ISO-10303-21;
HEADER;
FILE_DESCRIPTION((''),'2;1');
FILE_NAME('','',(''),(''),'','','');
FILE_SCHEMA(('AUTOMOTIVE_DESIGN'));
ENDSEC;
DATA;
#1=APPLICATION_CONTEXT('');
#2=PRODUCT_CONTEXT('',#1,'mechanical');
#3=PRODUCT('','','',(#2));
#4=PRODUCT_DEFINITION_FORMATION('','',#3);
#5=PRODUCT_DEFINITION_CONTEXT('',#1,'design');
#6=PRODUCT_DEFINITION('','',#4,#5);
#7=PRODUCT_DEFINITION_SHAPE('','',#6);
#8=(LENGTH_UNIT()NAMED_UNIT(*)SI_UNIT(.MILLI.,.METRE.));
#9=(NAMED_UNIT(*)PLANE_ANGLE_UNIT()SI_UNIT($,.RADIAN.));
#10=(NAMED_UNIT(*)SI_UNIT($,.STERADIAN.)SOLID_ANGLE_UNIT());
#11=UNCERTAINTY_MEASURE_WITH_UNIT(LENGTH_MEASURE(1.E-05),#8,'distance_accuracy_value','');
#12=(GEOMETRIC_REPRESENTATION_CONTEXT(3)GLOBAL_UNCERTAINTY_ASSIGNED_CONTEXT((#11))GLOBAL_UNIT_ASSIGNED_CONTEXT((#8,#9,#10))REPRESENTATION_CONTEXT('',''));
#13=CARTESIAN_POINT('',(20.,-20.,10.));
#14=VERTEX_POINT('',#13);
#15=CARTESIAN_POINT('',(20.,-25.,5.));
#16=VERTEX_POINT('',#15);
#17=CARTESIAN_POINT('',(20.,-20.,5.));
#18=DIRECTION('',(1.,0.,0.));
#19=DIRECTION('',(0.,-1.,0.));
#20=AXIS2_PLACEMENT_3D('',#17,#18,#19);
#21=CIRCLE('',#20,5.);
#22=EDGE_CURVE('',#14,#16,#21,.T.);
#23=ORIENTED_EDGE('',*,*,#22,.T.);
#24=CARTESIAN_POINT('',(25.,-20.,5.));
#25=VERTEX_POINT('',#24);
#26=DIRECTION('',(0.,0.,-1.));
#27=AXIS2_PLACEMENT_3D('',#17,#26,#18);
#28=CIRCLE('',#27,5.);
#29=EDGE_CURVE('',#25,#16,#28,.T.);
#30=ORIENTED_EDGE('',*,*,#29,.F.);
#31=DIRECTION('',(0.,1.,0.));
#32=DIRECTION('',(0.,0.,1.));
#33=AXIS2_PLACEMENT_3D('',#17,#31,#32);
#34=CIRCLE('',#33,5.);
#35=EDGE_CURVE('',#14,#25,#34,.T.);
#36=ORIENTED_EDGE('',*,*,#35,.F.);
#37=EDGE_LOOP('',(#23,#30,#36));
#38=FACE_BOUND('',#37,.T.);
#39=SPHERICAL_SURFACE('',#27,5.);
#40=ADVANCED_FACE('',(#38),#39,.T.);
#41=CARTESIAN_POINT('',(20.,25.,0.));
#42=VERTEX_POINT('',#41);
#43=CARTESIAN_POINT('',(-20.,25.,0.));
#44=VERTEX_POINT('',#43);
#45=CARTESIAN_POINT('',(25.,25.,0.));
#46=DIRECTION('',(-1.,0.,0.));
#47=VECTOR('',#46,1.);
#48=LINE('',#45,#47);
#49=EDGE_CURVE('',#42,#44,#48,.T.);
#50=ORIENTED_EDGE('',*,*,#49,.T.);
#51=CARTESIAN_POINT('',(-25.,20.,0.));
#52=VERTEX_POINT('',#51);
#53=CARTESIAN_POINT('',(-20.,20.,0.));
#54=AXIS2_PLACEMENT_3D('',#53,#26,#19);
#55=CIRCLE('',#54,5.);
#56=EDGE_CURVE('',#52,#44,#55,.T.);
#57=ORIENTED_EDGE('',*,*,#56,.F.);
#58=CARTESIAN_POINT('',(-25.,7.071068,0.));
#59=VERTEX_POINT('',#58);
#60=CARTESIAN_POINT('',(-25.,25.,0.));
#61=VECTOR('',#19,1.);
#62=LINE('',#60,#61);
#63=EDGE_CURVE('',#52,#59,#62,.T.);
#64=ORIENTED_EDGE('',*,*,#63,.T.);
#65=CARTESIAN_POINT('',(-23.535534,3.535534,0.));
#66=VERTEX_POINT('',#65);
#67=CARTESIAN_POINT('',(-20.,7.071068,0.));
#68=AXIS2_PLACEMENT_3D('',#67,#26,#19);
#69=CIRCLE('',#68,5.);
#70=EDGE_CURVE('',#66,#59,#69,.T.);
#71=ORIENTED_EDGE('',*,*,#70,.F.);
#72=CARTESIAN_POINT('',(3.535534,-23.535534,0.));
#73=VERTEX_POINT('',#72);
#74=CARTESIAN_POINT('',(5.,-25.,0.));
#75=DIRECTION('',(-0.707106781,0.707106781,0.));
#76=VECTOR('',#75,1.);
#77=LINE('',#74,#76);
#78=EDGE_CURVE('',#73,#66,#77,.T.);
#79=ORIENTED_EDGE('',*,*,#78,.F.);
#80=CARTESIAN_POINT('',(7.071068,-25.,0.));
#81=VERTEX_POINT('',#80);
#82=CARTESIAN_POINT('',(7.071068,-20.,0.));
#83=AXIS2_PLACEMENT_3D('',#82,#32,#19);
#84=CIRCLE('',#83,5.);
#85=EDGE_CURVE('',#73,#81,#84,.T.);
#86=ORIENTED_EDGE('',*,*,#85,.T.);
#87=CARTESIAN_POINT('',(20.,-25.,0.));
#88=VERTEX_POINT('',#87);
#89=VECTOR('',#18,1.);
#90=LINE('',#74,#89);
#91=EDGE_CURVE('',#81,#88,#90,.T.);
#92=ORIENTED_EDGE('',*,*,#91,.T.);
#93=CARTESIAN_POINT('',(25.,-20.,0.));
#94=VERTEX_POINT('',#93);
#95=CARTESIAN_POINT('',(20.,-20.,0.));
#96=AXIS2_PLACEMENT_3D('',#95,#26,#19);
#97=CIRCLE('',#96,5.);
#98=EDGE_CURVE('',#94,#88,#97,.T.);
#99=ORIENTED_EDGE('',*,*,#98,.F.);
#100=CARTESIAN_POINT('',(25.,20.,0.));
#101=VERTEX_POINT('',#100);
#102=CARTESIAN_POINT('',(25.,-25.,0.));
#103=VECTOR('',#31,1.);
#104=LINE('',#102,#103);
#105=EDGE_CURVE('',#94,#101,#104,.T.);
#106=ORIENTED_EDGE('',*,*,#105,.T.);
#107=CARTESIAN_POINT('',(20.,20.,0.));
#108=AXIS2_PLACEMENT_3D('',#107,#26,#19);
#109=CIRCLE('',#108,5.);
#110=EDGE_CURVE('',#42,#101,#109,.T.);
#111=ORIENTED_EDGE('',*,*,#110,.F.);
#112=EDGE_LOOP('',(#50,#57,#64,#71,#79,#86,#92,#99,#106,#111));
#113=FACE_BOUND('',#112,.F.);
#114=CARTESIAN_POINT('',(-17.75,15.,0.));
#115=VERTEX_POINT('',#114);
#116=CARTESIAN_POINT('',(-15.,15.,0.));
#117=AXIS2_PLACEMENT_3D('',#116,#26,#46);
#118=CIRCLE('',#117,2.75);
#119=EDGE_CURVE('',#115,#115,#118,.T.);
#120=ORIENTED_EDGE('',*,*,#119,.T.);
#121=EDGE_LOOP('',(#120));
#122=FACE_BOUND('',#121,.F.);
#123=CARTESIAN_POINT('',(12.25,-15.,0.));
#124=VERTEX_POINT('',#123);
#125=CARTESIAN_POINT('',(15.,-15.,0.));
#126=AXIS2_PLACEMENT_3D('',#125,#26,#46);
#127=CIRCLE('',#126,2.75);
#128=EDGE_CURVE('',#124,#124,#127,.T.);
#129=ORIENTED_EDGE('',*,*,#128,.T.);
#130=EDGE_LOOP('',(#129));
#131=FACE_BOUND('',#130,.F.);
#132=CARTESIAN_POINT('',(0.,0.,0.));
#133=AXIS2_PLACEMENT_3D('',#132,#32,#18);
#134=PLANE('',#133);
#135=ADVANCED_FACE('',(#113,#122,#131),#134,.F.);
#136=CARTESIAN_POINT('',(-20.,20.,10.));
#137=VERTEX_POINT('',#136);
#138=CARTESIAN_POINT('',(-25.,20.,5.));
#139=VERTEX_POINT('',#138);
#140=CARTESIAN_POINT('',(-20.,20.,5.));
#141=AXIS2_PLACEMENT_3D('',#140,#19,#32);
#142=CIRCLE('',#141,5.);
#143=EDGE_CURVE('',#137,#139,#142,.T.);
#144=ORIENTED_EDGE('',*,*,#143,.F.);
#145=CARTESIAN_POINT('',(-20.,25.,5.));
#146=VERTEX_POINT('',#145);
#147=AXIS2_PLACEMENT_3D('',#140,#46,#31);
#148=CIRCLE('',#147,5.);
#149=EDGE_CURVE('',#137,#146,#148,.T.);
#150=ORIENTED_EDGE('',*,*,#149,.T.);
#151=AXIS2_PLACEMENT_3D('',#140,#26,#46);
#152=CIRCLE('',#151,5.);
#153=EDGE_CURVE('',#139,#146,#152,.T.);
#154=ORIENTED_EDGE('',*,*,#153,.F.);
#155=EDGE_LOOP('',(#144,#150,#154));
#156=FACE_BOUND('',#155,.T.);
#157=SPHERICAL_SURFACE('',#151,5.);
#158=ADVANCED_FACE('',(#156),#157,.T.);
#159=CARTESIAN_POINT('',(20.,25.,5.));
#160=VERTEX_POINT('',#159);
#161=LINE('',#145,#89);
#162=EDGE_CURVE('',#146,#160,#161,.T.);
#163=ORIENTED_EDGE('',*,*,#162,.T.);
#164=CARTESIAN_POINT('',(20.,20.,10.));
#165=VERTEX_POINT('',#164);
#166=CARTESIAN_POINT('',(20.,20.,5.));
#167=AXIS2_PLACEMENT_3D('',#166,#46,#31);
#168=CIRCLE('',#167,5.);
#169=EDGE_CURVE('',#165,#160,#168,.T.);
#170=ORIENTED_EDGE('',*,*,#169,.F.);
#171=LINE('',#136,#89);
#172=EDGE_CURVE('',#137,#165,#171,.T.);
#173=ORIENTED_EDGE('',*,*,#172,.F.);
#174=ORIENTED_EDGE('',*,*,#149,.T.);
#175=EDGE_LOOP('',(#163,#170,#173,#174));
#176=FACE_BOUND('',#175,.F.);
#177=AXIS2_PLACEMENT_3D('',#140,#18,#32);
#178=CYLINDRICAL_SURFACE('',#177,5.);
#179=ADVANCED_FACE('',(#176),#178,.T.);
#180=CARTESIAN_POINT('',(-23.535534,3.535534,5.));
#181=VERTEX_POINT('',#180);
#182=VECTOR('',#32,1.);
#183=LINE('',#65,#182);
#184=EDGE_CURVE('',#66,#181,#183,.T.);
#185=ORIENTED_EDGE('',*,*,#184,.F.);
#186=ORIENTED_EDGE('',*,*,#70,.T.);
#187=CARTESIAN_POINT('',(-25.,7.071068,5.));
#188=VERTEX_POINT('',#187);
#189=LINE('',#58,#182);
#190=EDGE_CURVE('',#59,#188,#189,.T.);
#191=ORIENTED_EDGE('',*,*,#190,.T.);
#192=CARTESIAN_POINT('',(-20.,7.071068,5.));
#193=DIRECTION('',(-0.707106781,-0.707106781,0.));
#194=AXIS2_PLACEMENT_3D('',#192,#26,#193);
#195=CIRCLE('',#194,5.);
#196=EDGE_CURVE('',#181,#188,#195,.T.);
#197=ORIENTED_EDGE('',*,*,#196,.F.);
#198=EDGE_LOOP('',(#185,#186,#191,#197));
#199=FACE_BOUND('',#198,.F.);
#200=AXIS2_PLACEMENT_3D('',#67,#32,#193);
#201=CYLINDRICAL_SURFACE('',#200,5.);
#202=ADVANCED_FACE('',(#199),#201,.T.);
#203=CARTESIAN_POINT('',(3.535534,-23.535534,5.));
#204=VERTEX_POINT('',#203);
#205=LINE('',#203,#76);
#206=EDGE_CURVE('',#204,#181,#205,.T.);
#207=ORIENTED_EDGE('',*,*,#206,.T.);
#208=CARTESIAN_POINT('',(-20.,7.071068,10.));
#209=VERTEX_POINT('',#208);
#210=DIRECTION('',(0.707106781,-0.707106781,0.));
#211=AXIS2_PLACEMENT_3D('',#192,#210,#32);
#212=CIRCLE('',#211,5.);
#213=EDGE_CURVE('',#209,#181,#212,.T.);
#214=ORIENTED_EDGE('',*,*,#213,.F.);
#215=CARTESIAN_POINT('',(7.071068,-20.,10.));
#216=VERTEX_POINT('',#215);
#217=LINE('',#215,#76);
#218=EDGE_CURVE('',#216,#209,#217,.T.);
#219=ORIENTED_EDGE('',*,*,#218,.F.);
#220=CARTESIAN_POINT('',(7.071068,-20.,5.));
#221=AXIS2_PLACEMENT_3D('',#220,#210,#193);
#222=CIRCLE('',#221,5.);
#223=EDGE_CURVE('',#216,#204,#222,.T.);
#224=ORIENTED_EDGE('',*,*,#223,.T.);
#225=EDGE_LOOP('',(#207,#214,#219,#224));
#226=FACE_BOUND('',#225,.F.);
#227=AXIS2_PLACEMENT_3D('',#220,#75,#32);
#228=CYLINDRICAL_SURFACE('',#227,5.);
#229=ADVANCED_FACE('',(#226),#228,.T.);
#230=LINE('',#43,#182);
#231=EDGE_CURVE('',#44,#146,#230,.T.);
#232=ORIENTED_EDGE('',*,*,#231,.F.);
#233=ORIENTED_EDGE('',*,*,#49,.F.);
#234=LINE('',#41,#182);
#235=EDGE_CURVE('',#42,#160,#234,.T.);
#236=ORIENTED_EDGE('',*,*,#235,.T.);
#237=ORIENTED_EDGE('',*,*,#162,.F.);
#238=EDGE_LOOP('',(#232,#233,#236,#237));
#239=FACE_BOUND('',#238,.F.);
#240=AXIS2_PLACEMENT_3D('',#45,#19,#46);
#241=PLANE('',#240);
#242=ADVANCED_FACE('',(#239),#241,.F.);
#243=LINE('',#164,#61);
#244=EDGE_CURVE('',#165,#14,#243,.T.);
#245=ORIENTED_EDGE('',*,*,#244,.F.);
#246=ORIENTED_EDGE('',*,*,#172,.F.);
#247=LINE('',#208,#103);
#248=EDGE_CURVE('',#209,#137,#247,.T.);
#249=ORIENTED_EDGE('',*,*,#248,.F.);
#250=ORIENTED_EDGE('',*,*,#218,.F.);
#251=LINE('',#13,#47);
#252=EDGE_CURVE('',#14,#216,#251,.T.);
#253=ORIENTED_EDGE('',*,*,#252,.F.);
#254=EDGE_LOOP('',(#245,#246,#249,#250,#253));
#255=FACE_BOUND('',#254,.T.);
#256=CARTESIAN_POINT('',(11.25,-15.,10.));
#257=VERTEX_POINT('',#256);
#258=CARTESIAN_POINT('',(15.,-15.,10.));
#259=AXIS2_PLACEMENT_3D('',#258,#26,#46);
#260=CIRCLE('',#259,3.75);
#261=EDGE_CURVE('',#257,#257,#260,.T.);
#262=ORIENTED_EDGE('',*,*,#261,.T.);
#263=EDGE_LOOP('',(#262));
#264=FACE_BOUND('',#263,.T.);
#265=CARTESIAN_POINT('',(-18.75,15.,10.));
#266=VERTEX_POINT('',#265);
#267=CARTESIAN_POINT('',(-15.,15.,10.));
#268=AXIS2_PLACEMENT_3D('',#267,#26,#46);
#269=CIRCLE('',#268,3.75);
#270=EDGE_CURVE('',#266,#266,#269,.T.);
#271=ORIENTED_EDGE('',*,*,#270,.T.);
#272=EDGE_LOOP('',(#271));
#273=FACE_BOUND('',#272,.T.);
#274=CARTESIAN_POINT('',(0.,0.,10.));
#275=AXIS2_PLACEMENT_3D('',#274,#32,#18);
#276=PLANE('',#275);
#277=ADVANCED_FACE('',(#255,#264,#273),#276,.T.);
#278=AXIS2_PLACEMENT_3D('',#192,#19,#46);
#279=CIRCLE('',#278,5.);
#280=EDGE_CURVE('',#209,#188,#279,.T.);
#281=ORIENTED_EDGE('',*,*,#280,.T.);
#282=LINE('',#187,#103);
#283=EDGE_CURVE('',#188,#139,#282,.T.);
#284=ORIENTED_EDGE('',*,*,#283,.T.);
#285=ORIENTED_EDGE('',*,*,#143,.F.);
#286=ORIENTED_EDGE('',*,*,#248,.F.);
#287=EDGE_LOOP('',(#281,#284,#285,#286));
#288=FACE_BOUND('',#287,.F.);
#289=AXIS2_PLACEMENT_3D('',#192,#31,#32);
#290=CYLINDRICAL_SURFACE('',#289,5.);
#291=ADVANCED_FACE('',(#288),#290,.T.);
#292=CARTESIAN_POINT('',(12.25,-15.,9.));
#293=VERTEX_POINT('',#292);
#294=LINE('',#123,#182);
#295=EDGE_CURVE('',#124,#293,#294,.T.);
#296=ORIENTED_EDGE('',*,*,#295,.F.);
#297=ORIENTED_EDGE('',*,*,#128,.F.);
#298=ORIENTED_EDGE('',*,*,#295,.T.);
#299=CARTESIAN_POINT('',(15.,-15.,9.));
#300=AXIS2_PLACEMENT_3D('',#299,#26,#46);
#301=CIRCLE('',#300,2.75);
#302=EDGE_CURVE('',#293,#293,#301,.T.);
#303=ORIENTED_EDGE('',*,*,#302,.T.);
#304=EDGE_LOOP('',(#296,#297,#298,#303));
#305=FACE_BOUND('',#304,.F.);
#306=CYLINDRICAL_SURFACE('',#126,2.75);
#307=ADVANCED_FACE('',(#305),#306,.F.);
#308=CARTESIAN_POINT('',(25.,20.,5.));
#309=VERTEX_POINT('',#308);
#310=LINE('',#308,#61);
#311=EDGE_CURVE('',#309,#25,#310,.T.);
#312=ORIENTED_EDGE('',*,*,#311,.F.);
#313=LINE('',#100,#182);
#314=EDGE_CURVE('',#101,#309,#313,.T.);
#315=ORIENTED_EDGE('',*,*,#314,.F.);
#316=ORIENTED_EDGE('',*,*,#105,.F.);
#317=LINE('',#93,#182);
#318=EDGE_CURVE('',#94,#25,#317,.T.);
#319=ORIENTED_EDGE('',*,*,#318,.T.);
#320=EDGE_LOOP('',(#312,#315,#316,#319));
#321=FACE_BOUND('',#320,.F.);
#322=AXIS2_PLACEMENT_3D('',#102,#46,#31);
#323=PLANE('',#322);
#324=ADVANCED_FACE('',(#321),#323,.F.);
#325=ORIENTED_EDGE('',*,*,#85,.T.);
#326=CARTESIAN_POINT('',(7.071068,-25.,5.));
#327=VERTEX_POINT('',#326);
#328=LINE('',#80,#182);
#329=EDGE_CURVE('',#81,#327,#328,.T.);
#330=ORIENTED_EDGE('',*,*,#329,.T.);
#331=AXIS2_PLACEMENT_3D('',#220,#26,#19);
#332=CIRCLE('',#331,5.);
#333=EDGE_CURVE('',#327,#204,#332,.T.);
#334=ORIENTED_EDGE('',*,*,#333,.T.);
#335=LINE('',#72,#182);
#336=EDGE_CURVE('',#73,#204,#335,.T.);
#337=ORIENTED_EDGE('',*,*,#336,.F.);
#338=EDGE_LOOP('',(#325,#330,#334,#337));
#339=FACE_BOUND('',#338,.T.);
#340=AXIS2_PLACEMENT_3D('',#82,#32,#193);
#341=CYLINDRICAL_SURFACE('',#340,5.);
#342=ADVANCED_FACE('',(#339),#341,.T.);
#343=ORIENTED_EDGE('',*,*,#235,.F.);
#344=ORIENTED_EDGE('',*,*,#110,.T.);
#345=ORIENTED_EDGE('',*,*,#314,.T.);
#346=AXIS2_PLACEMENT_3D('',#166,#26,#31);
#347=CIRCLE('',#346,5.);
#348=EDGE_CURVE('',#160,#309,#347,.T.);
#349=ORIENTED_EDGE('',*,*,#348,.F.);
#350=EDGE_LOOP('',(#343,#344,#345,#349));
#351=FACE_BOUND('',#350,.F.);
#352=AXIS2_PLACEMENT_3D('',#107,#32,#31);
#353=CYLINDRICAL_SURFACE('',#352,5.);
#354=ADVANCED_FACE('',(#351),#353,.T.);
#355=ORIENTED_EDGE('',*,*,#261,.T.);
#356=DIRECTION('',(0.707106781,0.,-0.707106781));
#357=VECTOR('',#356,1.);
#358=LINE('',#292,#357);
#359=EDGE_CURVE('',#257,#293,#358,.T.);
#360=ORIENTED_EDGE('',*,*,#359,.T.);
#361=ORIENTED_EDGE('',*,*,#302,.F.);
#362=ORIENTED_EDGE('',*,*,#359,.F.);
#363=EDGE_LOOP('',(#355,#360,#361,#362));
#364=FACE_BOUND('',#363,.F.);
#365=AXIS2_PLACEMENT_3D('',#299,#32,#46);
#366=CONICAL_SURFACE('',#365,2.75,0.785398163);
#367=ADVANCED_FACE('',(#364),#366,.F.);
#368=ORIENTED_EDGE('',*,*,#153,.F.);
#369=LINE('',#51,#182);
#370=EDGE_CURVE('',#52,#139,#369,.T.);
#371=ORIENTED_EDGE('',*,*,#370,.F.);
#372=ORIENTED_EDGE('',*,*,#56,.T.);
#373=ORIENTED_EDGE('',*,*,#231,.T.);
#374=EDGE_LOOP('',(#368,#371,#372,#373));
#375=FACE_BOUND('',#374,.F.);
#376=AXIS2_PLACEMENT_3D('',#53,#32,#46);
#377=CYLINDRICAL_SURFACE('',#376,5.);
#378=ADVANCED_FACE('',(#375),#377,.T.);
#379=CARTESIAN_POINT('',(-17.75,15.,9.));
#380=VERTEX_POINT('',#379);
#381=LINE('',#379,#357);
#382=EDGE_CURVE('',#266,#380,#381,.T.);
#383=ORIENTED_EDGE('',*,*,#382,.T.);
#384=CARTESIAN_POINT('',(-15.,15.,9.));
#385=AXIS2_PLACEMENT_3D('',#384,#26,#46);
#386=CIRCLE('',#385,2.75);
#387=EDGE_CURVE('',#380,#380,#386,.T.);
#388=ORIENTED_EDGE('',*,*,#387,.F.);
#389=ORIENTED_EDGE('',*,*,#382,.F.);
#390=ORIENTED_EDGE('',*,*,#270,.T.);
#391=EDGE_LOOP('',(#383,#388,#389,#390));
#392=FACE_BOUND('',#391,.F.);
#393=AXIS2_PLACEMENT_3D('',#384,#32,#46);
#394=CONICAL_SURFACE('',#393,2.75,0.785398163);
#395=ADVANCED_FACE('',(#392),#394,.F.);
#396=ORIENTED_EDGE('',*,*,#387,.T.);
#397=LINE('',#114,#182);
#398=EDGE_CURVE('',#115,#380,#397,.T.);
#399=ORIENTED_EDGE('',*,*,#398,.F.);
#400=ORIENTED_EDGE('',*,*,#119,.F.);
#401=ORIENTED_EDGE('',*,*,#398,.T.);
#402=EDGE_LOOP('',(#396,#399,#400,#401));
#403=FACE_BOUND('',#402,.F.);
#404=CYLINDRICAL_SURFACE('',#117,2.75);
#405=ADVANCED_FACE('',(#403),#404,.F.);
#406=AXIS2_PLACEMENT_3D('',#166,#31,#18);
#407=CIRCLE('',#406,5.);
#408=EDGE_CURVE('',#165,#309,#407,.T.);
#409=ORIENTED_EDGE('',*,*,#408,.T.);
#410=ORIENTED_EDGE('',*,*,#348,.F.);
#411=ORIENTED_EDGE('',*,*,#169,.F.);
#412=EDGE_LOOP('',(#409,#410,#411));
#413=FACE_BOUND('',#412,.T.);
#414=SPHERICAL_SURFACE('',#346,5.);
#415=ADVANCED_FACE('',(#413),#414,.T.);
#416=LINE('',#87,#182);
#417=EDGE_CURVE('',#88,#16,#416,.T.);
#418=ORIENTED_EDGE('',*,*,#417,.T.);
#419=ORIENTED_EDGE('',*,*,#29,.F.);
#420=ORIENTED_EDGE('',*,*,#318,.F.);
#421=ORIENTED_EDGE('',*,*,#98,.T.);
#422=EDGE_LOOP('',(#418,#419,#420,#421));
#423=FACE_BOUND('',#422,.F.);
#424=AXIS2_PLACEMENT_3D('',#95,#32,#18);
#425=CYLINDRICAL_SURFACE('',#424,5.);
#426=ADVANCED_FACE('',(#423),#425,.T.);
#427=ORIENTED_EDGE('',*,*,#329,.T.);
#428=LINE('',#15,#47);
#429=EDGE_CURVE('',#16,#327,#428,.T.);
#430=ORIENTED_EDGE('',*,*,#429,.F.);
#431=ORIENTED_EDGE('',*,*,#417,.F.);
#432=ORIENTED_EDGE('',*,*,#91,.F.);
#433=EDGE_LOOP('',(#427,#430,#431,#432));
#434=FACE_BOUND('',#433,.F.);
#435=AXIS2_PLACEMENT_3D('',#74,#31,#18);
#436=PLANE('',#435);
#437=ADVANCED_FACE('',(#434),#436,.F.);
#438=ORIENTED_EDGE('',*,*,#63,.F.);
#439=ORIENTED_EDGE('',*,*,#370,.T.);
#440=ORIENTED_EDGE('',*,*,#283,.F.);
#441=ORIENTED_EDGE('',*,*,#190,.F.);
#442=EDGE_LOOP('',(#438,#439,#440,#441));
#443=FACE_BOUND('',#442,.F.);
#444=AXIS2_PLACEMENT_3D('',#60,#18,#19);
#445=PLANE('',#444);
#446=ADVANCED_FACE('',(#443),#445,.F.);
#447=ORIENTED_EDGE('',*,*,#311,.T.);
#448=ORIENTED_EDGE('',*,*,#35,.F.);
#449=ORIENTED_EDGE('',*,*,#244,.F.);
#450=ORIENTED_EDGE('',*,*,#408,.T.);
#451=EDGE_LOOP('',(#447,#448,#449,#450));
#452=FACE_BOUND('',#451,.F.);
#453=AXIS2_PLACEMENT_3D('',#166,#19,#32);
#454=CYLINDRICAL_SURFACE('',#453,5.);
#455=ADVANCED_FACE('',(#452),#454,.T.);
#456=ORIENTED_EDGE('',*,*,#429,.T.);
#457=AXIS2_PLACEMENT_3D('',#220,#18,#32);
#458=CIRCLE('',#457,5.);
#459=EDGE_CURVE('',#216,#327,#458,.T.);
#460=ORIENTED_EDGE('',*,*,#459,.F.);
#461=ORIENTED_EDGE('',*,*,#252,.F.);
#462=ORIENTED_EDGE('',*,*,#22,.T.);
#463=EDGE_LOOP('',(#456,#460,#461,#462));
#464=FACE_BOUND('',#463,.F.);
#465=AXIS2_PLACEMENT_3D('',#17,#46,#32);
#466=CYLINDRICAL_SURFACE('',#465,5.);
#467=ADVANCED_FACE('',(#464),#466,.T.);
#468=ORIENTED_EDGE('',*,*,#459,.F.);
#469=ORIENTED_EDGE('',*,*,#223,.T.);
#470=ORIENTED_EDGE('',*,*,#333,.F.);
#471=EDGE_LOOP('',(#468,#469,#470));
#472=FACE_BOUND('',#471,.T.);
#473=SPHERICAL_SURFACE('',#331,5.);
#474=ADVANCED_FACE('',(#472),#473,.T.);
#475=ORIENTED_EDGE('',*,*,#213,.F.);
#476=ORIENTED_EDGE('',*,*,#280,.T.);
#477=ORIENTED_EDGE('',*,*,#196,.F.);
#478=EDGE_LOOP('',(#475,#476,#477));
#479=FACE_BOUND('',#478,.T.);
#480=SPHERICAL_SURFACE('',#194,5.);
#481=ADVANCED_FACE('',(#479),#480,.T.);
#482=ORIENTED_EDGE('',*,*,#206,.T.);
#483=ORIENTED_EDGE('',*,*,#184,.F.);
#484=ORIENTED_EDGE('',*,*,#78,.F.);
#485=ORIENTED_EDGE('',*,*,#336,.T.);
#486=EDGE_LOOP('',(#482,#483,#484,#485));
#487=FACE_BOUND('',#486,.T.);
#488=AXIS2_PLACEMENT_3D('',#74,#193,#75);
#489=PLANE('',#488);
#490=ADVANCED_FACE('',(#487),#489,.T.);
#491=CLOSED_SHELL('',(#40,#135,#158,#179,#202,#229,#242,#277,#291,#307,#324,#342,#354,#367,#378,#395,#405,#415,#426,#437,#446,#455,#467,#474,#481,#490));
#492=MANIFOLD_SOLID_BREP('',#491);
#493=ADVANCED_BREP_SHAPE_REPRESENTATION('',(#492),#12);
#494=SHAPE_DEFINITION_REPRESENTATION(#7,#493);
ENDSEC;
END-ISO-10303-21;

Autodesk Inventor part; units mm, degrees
ref_plane "YZ Plane" through (0, 0, 0) normal (1, 0, 0) x (0, 1, 0)
ref_plane "XZ Plane" through (0, 0, 0) normal (0, 1, 0) x (-1, 0, 0)
ref_plane "XY Plane" through (0, 0, 0) normal (0, 0, 1) x (1, 0, 0)
sketch "스케치1" plane through (0, 0, 0) normal (0, 0, 1) x (1, 0, 0)
  line L0 (5, -25) -> (25, -25)
  line L1 (25, -25) -> (25, 25)
  line L2 (25, 25) -> (-25, 25)
  line L3 (-25, 25) -> (-25, 5)
  line L4 (-10, -10) -> (25, 25) construction
  line L5 (25, -25) -> (-25, 25) construction
  line L6 (5, -25) -> (-25, 5)
  point P0 (0, 0)
  dimension "d0" = 50
  dimension "d1" = 50
  dimension "d2" = 20
  dimension "d3" = 20
extrude "돌출1" add sketch "스케치1" along normal blind 10
fillet "모깎기1" radius 5 5 edges at (25, 25, 5) (25, -25, 5) (-25, 25, 5) (-25, 5, 5) (5, -25, 5)
fillet "모깎기2" radius 5 10 edges at (23.5355, 23.5355, 10) (0, 25, 10) (-23.5355, 23.5355, 10) (-25, 13.5355, 10) (-24.6194, 5.1577, 10) (-10, -10, 10) (5.1577, -24.6194, 10) (13.5355, -25, 10) (23.5355, -23.5355, 10) (25, 0, 10)
sketch "스케치2" plane through (0, 0, 0) normal (0, 0, -1) x (-1, 0, 0)
  line L0 (25, 20) -> (25, 7.0711) projected
  line L1 (-20, 25) -> (20, 25) projected
  line L2 (-25, -20) -> (-25, 20) projected
  line L3 (-7.0711, -25) -> (-20, -25) projected
  line L4 (-15, 15) -> (15, 15) construction
  line L5 (-15, -15) -> (-15, 15) construction
  circle A0 centre (-15, -15) radius 2.75
  circle A1 centre (15, 15) radius 2.75
  point P0 (0, 0)
  point P1 (-25, 0)
  dimension "d8" = 10
  dimension "d10" = 10
  dimension "d11" = 10
  dimension "d12" = 10
  dimension "d13" = 5.5
  dimension "d14" = 5.5
extrude "돌출2" cut sketch "스케치2" against normal blind 10
chamfer "모따기1" distance 1 angle 45 2 edges at (-12.25, 15, 10) (17.75, -15, 10)
equation "\"d13\" = d14"
properties part number "모서리 결합"
